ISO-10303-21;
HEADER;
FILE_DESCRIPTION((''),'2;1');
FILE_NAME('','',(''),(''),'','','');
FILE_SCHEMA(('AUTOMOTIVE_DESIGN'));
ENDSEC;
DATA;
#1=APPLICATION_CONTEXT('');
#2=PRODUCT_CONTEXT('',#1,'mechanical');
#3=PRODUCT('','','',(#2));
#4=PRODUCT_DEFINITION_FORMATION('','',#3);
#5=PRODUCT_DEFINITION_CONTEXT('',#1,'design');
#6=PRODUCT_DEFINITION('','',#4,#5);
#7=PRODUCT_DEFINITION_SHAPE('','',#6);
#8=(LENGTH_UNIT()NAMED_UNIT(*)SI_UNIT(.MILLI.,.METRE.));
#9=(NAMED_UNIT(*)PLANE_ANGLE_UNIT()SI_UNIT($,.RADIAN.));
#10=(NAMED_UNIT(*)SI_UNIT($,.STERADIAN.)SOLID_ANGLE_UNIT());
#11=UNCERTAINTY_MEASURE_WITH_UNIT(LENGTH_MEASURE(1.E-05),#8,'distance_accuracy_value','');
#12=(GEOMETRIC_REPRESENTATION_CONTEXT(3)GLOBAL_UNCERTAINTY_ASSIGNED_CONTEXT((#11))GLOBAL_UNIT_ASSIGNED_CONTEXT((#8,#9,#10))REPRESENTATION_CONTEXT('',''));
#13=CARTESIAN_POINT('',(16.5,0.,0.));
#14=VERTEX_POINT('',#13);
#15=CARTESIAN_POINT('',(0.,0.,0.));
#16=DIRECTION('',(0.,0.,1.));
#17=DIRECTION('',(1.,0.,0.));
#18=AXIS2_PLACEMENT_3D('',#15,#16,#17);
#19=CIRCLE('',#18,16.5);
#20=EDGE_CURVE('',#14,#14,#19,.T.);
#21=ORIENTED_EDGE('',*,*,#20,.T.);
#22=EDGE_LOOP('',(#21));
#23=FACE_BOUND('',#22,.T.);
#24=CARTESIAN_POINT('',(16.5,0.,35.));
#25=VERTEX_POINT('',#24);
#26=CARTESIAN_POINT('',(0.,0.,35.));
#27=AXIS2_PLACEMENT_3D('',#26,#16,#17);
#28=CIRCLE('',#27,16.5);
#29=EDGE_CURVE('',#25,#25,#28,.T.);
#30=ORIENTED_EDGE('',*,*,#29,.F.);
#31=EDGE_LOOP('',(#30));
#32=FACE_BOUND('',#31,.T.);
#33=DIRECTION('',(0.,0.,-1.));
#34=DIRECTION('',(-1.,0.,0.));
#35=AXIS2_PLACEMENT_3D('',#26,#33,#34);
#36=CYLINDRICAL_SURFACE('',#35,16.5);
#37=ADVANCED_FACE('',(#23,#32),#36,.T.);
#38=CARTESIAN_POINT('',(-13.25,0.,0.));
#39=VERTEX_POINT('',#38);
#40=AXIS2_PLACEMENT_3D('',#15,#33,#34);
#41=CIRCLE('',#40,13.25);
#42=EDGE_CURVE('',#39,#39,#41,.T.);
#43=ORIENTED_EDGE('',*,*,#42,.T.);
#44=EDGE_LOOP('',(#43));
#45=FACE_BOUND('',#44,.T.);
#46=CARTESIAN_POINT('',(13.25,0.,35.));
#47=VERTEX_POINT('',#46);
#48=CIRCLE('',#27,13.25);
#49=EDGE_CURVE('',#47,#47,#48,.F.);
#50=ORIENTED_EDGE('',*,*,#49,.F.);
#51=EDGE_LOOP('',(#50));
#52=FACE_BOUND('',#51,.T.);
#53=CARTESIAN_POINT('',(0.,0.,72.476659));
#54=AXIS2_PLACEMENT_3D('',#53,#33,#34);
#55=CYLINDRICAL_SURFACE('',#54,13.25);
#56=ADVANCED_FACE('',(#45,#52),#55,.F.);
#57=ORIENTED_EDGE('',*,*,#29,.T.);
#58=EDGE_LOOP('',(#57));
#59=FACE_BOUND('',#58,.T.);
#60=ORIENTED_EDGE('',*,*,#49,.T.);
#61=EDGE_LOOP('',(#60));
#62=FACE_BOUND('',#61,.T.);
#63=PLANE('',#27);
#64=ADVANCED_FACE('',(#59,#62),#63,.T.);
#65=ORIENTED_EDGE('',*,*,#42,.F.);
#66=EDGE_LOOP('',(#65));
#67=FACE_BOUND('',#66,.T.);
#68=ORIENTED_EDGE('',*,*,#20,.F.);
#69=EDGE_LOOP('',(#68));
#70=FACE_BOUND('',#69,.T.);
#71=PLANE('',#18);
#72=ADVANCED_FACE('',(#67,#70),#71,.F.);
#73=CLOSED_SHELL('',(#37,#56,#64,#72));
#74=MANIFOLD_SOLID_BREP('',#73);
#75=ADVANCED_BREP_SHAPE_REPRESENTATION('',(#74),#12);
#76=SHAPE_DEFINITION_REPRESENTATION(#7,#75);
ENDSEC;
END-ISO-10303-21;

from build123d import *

# Parameters (mm, degrees)
SKETCH1_R           = 16.5
BOSS_EXTRUDE1_DEPTH = 35
SKETCH2_R           = 13.25
CUT_EXTRUDE1_DEPTH  = 35


with BuildPart() as part:
    # Sketch1 → Boss-Extrude1 (new body)
    with BuildSketch(Plane.XY):
        Circle(SKETCH1_R)
    extrude(amount=BOSS_EXTRUDE1_DEPTH)

    # Sketch2 → Cut-Extrude1 (cut)
    with BuildSketch(Plane(origin=(0, 0, 0), x_dir=(-1, 0, 0), z_dir=(0, 0, -1))):
        Circle(SKETCH2_R)
    extrude(amount=-CUT_EXTRUDE1_DEPTH, mode=Mode.SUBTRACT)


solid = part.part
